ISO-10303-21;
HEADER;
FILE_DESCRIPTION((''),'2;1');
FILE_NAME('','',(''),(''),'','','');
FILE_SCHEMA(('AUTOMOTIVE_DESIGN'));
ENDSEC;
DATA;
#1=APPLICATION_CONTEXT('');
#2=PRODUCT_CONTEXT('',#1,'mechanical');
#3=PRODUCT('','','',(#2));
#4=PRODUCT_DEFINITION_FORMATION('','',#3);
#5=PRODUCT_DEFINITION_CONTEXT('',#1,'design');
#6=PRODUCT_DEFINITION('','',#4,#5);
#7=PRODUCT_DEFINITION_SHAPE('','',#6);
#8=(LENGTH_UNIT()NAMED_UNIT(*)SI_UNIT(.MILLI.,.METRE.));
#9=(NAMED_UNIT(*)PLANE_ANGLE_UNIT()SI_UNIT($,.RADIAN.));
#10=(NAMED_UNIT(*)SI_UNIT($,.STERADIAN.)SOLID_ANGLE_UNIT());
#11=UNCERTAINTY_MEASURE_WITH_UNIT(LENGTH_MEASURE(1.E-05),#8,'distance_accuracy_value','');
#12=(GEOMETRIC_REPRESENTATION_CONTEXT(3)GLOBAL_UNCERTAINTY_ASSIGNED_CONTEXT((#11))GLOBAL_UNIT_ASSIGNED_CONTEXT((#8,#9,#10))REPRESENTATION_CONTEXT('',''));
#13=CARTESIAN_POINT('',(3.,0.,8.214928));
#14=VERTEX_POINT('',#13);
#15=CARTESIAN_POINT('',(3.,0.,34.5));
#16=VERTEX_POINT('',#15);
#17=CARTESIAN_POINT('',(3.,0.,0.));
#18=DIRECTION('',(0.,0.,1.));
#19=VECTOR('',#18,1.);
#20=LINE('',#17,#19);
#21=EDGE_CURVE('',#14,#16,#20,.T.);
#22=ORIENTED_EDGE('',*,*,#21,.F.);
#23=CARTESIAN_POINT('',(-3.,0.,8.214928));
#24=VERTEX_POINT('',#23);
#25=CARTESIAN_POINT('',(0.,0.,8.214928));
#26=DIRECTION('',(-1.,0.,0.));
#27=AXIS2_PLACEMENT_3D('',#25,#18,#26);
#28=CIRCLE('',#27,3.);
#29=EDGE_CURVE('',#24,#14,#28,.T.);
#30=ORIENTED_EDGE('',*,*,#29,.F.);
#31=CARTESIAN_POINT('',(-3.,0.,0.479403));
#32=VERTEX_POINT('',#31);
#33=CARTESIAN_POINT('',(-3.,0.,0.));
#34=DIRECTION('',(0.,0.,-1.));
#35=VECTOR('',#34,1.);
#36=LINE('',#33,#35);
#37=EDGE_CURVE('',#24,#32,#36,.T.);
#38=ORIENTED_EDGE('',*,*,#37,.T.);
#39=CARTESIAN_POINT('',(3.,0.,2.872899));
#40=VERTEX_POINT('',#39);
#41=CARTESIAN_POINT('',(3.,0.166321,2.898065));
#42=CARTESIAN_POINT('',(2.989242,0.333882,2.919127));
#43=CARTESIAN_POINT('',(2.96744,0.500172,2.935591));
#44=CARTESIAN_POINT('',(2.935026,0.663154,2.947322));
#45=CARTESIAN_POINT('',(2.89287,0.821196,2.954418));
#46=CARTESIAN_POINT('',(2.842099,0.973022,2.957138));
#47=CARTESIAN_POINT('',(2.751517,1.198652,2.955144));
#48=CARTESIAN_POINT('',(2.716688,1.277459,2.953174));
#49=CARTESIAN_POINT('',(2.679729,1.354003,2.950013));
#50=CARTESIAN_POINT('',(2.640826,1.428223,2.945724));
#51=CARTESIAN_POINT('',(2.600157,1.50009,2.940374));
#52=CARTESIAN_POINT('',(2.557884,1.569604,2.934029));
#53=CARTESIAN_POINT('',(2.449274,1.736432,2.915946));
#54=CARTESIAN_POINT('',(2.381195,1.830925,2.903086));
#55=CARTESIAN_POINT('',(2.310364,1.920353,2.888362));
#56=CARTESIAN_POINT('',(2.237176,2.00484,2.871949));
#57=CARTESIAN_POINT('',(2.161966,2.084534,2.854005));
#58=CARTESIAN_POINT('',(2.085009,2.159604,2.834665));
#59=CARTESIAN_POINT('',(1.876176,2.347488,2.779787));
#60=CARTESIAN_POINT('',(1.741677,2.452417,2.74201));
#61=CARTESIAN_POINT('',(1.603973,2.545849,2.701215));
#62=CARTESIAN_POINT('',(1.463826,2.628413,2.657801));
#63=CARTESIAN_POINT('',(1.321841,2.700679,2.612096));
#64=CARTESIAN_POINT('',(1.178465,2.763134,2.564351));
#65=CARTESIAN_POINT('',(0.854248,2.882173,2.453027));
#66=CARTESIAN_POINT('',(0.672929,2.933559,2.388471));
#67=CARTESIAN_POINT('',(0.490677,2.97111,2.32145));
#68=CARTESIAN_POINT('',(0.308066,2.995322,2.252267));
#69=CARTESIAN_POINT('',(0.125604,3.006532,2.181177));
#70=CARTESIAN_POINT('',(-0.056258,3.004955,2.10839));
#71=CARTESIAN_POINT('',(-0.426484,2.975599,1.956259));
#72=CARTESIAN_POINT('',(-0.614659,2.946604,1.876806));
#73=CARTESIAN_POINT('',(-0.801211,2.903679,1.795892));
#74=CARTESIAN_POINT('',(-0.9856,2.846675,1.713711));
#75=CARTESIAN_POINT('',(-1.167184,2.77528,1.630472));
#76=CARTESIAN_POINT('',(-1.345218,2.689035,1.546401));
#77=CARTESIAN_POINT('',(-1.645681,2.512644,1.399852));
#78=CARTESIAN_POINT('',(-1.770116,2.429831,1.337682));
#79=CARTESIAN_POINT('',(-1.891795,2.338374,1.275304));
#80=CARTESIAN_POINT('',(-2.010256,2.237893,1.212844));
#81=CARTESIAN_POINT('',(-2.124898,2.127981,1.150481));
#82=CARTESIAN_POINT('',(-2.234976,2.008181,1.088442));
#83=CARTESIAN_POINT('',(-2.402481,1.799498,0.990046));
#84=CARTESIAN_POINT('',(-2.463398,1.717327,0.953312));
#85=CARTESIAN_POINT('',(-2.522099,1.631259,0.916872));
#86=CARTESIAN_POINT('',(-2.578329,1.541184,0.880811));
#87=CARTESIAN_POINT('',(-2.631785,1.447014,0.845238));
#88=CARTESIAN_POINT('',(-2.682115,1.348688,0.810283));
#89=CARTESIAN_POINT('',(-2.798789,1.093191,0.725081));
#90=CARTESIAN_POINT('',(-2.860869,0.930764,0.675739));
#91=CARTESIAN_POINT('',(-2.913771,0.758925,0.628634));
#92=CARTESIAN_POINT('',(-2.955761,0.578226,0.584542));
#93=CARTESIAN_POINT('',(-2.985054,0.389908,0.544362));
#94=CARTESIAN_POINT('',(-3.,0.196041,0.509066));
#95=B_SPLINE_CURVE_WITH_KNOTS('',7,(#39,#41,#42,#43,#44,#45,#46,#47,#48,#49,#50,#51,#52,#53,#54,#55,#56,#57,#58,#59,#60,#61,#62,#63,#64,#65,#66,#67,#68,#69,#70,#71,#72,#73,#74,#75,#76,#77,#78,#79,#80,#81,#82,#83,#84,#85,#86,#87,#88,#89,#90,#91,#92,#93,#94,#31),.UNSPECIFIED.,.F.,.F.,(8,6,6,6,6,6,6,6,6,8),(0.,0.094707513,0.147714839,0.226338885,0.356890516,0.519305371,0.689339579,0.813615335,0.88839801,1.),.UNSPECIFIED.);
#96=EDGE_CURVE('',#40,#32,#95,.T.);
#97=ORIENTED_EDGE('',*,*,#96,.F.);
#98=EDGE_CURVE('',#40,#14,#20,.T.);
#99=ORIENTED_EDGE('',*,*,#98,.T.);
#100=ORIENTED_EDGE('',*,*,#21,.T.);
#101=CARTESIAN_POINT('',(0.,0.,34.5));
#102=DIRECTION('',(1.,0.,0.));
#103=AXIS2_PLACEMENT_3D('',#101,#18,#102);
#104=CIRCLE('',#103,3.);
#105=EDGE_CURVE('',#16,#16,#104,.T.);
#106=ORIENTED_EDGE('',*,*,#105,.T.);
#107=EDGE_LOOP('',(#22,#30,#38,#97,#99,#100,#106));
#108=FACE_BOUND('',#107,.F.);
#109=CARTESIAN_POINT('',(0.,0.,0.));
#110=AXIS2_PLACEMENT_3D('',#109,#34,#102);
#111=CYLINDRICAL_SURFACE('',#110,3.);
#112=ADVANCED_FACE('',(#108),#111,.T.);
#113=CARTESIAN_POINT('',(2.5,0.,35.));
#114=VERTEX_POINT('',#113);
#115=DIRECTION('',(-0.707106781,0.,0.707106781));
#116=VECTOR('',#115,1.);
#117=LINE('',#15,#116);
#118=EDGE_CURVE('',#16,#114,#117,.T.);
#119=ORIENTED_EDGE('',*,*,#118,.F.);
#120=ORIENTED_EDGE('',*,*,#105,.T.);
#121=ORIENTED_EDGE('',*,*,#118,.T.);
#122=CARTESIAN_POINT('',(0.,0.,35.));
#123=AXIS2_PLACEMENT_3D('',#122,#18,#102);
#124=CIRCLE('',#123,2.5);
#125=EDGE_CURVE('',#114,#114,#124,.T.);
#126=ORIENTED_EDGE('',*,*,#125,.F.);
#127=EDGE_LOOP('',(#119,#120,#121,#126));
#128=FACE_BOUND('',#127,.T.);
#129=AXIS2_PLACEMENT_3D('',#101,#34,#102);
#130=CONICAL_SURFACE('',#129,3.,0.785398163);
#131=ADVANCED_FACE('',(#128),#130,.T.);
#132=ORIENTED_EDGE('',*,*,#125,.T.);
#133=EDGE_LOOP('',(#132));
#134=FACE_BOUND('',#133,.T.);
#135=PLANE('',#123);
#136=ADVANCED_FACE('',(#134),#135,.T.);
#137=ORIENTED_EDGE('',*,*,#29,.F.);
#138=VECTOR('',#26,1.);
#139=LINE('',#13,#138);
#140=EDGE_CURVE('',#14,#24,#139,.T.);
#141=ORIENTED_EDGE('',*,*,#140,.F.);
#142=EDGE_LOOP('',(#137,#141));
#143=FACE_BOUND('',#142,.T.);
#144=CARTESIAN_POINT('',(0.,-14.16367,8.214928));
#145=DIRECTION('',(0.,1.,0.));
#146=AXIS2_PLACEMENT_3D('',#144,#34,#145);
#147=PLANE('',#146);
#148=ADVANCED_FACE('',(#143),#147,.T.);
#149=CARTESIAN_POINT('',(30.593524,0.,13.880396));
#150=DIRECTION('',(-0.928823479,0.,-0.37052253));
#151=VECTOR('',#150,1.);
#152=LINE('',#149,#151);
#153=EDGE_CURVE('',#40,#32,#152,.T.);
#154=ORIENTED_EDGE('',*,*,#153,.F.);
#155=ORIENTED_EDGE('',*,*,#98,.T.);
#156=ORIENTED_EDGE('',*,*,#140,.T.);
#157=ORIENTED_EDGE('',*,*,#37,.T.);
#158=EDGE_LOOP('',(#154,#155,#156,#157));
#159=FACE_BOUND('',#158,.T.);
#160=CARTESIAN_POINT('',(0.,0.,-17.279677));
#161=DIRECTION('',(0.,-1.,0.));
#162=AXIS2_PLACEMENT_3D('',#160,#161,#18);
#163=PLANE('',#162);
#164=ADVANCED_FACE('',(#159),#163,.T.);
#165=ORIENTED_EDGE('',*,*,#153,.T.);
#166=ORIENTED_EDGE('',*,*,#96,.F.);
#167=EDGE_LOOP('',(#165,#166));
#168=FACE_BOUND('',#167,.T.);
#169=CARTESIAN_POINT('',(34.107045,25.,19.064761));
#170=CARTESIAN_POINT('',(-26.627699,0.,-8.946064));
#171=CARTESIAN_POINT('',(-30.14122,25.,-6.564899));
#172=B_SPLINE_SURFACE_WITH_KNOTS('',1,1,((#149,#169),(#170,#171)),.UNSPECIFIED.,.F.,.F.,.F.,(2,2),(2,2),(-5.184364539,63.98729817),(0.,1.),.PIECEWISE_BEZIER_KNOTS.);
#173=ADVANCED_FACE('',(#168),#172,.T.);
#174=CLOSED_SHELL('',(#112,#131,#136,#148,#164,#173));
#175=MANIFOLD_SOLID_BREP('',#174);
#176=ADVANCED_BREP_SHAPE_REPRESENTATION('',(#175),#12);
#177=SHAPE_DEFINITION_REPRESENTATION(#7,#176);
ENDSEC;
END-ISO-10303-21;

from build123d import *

# Parameters (mm, degrees)
F0_R          = 3
F1_DEPTH      = 35
F2_SIZE       = 0.5
F3_W          = 14.1636701301
F3_H          = 25.4946053028
F4_DEPTH      = 25
F4_DEPTH_BACK = 25
F6_DEPTH      = 25
F6_TAPER      = -8


with BuildPart() as f1:
    # F0 (on Top) → F1 (new body)
    with BuildSketch(Plane.XY):
        Circle(F0_R)
    extrude(amount=F1_DEPTH)

    # F2
    f2_edges = [f1.edges().sort_by_distance(p)[0] for p in [
        (-3, 0, 35),
    ]]
    chamfer(f2_edges, length=F2_SIZE)

    # F3 (on Right) → F4 (cut, two sides)
    with BuildSketch(Plane.YZ) as f4_sk:
        with Locations((-7.081835065, -4.5323744416)):
            Rectangle(F3_W, F3_H)
    extrude(amount=-F4_DEPTH, mode=Mode.SUBTRACT)
    extrude(f4_sk.sketch, amount=F4_DEPTH_BACK, mode=Mode.SUBTRACT)

    # F5 (on Front) → F6 (cut)
    with BuildSketch(Plane.XZ):
        Polygon((30.5935237557, -28.8938842714), (30.5935237557, 13.8803962618), (-26.6276989132, -8.9460639283), (-26.6276989132, -10.4811154306), align=None)
    extrude(amount=-F6_DEPTH, taper=F6_TAPER, mode=Mode.SUBTRACT)


solid = f1.part
